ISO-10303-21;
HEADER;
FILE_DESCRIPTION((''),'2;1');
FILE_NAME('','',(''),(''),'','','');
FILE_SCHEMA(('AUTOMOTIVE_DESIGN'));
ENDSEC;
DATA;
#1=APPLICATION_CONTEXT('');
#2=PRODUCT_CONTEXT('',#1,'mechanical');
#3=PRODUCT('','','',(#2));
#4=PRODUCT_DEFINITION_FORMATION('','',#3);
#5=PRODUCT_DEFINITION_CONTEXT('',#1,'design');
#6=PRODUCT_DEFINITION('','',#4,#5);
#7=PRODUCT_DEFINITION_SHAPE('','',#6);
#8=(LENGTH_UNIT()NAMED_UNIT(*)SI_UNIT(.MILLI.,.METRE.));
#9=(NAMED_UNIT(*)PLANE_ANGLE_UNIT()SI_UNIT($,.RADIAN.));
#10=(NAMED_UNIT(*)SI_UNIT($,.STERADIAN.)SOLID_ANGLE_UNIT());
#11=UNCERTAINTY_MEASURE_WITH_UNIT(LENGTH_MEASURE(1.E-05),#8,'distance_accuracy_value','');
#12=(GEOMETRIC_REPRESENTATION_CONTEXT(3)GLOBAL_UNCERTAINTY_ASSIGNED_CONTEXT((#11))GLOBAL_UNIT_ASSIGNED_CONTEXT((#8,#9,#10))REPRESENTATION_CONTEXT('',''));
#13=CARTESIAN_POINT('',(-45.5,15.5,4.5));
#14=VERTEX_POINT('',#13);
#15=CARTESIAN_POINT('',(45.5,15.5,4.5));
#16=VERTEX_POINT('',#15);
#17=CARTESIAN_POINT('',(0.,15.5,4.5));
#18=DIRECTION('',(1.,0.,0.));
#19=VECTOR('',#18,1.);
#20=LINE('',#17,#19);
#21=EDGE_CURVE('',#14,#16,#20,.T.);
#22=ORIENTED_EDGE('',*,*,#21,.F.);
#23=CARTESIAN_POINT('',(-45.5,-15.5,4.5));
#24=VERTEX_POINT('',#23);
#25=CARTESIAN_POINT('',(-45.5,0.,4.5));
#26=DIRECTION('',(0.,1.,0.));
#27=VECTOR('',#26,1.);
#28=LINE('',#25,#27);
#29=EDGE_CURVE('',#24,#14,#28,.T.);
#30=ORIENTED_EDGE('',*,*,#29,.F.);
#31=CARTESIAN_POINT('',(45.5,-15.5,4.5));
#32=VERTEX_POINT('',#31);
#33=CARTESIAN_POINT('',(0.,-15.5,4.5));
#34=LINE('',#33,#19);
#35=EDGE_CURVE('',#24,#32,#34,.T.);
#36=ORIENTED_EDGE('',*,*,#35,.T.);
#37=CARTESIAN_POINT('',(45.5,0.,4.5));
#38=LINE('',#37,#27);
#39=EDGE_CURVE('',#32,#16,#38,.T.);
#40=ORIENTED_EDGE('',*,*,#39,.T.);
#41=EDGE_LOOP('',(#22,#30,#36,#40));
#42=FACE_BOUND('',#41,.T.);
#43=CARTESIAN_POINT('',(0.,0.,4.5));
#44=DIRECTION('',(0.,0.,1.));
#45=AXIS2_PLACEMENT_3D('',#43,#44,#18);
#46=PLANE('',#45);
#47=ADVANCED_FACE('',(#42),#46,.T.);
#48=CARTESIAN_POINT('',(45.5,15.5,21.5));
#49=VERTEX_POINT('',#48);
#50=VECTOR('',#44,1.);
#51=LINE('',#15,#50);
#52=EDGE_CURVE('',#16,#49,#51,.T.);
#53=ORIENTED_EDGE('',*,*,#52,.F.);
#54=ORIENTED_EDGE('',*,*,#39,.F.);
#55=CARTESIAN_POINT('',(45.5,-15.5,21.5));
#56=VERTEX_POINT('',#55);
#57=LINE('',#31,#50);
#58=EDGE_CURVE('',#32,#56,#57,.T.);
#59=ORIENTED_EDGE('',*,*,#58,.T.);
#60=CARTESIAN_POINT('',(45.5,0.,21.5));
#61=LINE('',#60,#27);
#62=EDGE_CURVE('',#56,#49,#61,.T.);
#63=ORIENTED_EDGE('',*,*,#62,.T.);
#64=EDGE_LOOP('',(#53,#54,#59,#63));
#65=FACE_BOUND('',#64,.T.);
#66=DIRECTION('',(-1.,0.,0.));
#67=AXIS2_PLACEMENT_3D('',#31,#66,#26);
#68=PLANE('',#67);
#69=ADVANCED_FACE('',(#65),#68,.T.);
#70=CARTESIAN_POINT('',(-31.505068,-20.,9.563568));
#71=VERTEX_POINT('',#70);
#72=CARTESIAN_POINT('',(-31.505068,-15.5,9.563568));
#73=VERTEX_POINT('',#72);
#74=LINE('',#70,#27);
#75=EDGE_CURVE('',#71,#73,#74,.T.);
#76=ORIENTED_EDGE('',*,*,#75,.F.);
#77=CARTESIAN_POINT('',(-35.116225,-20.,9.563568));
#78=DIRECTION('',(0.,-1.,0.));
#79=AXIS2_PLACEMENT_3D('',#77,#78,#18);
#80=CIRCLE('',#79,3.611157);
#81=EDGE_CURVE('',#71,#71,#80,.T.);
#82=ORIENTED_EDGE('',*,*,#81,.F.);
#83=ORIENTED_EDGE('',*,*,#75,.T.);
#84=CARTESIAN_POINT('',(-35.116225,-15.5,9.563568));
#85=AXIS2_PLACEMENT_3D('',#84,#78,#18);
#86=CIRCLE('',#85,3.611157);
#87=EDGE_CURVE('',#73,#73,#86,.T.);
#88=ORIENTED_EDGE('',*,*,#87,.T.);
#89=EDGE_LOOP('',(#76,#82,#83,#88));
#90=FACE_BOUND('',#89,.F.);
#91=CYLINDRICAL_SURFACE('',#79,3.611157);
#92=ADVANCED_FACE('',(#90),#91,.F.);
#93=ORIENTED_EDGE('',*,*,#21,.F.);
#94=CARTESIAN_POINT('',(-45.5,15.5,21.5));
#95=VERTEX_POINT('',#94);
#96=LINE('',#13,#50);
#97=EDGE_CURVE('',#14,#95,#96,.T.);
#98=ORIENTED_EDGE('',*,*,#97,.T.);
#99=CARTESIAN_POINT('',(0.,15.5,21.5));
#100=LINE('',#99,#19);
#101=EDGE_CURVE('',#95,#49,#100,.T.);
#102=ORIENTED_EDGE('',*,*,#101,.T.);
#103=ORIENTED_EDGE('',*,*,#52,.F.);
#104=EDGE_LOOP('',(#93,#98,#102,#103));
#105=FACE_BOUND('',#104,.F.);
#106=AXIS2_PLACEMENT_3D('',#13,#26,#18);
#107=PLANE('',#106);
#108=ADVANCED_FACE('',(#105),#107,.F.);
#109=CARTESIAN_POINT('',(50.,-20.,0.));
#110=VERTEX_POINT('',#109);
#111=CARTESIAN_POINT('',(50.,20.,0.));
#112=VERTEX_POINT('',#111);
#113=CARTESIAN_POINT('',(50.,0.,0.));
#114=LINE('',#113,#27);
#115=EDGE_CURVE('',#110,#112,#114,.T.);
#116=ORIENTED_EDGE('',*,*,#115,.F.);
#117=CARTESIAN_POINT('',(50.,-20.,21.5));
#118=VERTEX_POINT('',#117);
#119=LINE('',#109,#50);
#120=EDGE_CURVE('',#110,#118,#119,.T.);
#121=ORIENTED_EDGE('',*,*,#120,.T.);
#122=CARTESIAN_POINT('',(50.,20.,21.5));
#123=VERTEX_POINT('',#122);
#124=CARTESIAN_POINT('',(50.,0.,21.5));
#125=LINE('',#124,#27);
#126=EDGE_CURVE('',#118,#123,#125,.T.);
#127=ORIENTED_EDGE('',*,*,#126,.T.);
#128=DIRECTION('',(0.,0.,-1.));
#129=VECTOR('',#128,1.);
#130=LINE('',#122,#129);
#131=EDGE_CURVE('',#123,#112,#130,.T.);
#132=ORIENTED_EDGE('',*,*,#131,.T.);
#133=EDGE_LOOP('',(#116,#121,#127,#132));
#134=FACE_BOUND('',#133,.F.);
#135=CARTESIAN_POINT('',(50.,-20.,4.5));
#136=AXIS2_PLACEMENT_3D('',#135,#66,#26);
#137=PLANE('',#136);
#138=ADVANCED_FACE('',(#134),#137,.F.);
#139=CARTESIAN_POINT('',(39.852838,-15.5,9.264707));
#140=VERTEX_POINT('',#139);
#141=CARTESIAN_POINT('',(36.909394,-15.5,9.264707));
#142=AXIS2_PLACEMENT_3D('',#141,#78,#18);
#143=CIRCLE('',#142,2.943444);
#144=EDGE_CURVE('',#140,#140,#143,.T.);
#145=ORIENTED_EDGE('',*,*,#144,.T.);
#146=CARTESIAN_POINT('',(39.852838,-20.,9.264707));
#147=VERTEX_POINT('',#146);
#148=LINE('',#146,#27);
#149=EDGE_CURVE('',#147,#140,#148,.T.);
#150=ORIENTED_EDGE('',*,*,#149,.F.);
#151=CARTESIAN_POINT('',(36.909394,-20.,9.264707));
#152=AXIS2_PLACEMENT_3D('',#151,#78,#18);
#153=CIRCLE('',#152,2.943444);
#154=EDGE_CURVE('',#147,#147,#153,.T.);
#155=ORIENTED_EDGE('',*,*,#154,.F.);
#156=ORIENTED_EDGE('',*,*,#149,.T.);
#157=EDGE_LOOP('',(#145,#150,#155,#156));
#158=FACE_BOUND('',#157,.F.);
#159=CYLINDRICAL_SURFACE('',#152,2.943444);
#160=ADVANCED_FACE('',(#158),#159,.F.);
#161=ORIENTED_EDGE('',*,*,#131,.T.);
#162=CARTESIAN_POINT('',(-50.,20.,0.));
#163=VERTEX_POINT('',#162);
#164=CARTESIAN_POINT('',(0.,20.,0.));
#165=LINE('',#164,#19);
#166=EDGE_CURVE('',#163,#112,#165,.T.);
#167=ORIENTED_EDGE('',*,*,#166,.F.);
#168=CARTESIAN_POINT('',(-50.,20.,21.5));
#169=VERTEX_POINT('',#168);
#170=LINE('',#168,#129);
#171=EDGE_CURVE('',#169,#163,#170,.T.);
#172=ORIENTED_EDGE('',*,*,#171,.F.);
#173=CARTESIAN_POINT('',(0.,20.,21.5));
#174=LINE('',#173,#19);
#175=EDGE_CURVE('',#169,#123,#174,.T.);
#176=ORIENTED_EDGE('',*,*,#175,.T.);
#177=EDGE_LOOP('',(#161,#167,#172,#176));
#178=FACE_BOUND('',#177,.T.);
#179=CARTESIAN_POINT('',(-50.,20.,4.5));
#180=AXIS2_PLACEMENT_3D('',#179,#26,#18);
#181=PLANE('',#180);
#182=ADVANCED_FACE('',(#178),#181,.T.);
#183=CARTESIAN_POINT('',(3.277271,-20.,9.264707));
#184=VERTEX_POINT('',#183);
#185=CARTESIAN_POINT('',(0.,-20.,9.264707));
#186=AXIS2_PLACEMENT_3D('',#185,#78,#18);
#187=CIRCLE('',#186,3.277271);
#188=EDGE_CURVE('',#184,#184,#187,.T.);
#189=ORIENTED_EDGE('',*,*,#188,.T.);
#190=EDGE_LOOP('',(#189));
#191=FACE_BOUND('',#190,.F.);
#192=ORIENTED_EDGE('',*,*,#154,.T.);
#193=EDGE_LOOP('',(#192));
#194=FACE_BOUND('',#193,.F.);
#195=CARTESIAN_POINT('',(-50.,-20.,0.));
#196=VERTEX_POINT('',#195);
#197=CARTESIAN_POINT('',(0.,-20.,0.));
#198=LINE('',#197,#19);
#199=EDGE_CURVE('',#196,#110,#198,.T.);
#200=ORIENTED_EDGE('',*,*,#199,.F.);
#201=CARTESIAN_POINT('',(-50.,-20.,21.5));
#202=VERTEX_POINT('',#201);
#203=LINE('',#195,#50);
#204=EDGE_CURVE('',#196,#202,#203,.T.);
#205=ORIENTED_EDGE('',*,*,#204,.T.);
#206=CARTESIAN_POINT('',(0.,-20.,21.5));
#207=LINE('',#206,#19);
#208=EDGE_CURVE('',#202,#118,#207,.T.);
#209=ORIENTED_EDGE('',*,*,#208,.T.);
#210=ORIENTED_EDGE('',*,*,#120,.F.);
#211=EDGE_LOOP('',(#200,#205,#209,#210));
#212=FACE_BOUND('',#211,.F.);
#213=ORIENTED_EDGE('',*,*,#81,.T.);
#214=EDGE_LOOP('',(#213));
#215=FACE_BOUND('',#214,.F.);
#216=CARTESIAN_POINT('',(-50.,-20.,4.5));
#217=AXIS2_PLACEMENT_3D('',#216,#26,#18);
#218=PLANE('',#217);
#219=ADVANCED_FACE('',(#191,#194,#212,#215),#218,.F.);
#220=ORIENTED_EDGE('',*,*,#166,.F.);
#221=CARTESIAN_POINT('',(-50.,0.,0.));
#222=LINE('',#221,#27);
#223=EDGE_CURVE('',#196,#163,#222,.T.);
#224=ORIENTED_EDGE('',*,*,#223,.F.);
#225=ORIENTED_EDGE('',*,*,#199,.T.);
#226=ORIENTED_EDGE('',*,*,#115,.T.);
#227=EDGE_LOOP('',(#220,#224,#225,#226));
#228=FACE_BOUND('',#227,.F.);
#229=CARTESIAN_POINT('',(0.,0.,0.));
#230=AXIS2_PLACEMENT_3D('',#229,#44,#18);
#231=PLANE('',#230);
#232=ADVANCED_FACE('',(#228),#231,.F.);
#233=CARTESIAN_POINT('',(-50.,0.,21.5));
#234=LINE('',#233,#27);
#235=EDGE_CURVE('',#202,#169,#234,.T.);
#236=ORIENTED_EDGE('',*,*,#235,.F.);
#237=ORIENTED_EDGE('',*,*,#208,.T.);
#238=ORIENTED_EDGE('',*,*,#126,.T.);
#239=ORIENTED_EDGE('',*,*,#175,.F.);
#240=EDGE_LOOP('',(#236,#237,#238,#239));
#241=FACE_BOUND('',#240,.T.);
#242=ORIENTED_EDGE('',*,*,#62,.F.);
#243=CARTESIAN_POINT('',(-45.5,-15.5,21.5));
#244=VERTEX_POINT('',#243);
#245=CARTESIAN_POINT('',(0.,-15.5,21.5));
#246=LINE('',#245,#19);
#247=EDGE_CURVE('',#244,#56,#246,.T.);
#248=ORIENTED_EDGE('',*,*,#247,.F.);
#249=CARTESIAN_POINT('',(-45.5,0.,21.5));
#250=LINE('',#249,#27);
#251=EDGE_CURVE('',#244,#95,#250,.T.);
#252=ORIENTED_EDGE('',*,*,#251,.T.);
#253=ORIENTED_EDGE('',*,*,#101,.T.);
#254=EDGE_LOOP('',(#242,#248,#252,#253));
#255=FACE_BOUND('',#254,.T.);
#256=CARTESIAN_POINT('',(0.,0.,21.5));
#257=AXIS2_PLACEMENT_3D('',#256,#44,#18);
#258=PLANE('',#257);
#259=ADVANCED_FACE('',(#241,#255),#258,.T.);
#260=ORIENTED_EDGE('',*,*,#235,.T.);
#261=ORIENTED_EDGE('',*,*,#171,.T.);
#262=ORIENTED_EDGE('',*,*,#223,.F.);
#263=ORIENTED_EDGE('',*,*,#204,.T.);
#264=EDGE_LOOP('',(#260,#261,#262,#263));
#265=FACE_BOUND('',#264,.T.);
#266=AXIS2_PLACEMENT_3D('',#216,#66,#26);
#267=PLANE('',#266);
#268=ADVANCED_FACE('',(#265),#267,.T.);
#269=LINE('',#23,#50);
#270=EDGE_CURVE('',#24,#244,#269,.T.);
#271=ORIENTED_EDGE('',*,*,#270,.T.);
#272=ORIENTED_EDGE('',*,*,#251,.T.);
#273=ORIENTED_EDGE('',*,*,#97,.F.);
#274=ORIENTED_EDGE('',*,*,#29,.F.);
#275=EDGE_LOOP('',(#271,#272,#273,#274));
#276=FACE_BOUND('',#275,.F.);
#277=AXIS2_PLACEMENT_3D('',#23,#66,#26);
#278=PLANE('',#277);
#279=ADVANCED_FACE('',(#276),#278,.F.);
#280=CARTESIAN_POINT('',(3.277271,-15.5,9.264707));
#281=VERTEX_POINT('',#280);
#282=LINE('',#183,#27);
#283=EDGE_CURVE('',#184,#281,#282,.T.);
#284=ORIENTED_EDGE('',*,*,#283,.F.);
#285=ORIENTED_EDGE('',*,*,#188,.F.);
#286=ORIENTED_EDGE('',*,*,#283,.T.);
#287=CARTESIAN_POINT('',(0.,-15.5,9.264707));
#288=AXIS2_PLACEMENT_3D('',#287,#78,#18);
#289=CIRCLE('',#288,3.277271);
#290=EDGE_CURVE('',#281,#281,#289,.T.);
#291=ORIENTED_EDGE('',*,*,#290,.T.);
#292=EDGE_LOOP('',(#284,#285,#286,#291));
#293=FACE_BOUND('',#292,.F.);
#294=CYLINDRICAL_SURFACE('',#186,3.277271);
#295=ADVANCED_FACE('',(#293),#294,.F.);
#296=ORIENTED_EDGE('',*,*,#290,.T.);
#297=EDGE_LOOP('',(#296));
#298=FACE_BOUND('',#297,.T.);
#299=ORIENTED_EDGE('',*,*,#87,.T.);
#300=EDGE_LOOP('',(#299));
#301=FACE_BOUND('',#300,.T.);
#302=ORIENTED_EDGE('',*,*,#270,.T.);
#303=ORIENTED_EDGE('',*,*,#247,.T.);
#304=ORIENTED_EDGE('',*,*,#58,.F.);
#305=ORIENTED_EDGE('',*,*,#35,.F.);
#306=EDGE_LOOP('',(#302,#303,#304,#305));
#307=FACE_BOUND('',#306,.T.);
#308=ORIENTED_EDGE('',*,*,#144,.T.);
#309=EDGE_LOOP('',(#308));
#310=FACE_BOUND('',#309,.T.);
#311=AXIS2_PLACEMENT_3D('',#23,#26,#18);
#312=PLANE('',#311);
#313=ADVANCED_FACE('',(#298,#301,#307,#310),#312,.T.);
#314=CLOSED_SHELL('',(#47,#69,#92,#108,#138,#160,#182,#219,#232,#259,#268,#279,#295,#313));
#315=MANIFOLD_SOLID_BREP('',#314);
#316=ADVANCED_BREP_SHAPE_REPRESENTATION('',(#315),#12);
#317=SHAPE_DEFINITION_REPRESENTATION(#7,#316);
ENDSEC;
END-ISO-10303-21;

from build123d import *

# Parameters (mm, degrees)
F0_W     = 100
F0_H     = 40
F1_DEPTH = 4.5
F2_W     = 100
F2_H     = 40
F2_W_2   = 91
F2_H_2   = 31
F3_DEPTH = 17
F4_R     = 3.277271
F4_R_2   = 2.943444
F4_R_3   = 3.611157
F5_DEPTH = 25


with BuildPart() as f1:
    # F0 (on Top) → F1 (new body)
    with BuildSketch(Plane.XY):
        Rectangle(F0_W, F0_H)
    extrude(amount=F1_DEPTH)

    # F2 (on face) → F3 (join)
    with BuildSketch(Plane.XY.offset(4.5)):
        Rectangle(F2_W, F2_H)
        Rectangle(F2_W_2, F2_H_2, mode=Mode.SUBTRACT)
    extrude(amount=F3_DEPTH)

    # F4 (on face) → F5 (cut)
    with BuildSketch(Plane.XZ.offset(20)):
        with Locations((0, 9.264707)):
            Circle(F4_R)
        with Locations((36.909394, 9.264707)):
            Circle(F4_R_2)
        with Locations((-35.116225, 9.563568)):
            Circle(F4_R_3)
    extrude(amount=-F5_DEPTH, mode=Mode.SUBTRACT)


solid = f1.part
